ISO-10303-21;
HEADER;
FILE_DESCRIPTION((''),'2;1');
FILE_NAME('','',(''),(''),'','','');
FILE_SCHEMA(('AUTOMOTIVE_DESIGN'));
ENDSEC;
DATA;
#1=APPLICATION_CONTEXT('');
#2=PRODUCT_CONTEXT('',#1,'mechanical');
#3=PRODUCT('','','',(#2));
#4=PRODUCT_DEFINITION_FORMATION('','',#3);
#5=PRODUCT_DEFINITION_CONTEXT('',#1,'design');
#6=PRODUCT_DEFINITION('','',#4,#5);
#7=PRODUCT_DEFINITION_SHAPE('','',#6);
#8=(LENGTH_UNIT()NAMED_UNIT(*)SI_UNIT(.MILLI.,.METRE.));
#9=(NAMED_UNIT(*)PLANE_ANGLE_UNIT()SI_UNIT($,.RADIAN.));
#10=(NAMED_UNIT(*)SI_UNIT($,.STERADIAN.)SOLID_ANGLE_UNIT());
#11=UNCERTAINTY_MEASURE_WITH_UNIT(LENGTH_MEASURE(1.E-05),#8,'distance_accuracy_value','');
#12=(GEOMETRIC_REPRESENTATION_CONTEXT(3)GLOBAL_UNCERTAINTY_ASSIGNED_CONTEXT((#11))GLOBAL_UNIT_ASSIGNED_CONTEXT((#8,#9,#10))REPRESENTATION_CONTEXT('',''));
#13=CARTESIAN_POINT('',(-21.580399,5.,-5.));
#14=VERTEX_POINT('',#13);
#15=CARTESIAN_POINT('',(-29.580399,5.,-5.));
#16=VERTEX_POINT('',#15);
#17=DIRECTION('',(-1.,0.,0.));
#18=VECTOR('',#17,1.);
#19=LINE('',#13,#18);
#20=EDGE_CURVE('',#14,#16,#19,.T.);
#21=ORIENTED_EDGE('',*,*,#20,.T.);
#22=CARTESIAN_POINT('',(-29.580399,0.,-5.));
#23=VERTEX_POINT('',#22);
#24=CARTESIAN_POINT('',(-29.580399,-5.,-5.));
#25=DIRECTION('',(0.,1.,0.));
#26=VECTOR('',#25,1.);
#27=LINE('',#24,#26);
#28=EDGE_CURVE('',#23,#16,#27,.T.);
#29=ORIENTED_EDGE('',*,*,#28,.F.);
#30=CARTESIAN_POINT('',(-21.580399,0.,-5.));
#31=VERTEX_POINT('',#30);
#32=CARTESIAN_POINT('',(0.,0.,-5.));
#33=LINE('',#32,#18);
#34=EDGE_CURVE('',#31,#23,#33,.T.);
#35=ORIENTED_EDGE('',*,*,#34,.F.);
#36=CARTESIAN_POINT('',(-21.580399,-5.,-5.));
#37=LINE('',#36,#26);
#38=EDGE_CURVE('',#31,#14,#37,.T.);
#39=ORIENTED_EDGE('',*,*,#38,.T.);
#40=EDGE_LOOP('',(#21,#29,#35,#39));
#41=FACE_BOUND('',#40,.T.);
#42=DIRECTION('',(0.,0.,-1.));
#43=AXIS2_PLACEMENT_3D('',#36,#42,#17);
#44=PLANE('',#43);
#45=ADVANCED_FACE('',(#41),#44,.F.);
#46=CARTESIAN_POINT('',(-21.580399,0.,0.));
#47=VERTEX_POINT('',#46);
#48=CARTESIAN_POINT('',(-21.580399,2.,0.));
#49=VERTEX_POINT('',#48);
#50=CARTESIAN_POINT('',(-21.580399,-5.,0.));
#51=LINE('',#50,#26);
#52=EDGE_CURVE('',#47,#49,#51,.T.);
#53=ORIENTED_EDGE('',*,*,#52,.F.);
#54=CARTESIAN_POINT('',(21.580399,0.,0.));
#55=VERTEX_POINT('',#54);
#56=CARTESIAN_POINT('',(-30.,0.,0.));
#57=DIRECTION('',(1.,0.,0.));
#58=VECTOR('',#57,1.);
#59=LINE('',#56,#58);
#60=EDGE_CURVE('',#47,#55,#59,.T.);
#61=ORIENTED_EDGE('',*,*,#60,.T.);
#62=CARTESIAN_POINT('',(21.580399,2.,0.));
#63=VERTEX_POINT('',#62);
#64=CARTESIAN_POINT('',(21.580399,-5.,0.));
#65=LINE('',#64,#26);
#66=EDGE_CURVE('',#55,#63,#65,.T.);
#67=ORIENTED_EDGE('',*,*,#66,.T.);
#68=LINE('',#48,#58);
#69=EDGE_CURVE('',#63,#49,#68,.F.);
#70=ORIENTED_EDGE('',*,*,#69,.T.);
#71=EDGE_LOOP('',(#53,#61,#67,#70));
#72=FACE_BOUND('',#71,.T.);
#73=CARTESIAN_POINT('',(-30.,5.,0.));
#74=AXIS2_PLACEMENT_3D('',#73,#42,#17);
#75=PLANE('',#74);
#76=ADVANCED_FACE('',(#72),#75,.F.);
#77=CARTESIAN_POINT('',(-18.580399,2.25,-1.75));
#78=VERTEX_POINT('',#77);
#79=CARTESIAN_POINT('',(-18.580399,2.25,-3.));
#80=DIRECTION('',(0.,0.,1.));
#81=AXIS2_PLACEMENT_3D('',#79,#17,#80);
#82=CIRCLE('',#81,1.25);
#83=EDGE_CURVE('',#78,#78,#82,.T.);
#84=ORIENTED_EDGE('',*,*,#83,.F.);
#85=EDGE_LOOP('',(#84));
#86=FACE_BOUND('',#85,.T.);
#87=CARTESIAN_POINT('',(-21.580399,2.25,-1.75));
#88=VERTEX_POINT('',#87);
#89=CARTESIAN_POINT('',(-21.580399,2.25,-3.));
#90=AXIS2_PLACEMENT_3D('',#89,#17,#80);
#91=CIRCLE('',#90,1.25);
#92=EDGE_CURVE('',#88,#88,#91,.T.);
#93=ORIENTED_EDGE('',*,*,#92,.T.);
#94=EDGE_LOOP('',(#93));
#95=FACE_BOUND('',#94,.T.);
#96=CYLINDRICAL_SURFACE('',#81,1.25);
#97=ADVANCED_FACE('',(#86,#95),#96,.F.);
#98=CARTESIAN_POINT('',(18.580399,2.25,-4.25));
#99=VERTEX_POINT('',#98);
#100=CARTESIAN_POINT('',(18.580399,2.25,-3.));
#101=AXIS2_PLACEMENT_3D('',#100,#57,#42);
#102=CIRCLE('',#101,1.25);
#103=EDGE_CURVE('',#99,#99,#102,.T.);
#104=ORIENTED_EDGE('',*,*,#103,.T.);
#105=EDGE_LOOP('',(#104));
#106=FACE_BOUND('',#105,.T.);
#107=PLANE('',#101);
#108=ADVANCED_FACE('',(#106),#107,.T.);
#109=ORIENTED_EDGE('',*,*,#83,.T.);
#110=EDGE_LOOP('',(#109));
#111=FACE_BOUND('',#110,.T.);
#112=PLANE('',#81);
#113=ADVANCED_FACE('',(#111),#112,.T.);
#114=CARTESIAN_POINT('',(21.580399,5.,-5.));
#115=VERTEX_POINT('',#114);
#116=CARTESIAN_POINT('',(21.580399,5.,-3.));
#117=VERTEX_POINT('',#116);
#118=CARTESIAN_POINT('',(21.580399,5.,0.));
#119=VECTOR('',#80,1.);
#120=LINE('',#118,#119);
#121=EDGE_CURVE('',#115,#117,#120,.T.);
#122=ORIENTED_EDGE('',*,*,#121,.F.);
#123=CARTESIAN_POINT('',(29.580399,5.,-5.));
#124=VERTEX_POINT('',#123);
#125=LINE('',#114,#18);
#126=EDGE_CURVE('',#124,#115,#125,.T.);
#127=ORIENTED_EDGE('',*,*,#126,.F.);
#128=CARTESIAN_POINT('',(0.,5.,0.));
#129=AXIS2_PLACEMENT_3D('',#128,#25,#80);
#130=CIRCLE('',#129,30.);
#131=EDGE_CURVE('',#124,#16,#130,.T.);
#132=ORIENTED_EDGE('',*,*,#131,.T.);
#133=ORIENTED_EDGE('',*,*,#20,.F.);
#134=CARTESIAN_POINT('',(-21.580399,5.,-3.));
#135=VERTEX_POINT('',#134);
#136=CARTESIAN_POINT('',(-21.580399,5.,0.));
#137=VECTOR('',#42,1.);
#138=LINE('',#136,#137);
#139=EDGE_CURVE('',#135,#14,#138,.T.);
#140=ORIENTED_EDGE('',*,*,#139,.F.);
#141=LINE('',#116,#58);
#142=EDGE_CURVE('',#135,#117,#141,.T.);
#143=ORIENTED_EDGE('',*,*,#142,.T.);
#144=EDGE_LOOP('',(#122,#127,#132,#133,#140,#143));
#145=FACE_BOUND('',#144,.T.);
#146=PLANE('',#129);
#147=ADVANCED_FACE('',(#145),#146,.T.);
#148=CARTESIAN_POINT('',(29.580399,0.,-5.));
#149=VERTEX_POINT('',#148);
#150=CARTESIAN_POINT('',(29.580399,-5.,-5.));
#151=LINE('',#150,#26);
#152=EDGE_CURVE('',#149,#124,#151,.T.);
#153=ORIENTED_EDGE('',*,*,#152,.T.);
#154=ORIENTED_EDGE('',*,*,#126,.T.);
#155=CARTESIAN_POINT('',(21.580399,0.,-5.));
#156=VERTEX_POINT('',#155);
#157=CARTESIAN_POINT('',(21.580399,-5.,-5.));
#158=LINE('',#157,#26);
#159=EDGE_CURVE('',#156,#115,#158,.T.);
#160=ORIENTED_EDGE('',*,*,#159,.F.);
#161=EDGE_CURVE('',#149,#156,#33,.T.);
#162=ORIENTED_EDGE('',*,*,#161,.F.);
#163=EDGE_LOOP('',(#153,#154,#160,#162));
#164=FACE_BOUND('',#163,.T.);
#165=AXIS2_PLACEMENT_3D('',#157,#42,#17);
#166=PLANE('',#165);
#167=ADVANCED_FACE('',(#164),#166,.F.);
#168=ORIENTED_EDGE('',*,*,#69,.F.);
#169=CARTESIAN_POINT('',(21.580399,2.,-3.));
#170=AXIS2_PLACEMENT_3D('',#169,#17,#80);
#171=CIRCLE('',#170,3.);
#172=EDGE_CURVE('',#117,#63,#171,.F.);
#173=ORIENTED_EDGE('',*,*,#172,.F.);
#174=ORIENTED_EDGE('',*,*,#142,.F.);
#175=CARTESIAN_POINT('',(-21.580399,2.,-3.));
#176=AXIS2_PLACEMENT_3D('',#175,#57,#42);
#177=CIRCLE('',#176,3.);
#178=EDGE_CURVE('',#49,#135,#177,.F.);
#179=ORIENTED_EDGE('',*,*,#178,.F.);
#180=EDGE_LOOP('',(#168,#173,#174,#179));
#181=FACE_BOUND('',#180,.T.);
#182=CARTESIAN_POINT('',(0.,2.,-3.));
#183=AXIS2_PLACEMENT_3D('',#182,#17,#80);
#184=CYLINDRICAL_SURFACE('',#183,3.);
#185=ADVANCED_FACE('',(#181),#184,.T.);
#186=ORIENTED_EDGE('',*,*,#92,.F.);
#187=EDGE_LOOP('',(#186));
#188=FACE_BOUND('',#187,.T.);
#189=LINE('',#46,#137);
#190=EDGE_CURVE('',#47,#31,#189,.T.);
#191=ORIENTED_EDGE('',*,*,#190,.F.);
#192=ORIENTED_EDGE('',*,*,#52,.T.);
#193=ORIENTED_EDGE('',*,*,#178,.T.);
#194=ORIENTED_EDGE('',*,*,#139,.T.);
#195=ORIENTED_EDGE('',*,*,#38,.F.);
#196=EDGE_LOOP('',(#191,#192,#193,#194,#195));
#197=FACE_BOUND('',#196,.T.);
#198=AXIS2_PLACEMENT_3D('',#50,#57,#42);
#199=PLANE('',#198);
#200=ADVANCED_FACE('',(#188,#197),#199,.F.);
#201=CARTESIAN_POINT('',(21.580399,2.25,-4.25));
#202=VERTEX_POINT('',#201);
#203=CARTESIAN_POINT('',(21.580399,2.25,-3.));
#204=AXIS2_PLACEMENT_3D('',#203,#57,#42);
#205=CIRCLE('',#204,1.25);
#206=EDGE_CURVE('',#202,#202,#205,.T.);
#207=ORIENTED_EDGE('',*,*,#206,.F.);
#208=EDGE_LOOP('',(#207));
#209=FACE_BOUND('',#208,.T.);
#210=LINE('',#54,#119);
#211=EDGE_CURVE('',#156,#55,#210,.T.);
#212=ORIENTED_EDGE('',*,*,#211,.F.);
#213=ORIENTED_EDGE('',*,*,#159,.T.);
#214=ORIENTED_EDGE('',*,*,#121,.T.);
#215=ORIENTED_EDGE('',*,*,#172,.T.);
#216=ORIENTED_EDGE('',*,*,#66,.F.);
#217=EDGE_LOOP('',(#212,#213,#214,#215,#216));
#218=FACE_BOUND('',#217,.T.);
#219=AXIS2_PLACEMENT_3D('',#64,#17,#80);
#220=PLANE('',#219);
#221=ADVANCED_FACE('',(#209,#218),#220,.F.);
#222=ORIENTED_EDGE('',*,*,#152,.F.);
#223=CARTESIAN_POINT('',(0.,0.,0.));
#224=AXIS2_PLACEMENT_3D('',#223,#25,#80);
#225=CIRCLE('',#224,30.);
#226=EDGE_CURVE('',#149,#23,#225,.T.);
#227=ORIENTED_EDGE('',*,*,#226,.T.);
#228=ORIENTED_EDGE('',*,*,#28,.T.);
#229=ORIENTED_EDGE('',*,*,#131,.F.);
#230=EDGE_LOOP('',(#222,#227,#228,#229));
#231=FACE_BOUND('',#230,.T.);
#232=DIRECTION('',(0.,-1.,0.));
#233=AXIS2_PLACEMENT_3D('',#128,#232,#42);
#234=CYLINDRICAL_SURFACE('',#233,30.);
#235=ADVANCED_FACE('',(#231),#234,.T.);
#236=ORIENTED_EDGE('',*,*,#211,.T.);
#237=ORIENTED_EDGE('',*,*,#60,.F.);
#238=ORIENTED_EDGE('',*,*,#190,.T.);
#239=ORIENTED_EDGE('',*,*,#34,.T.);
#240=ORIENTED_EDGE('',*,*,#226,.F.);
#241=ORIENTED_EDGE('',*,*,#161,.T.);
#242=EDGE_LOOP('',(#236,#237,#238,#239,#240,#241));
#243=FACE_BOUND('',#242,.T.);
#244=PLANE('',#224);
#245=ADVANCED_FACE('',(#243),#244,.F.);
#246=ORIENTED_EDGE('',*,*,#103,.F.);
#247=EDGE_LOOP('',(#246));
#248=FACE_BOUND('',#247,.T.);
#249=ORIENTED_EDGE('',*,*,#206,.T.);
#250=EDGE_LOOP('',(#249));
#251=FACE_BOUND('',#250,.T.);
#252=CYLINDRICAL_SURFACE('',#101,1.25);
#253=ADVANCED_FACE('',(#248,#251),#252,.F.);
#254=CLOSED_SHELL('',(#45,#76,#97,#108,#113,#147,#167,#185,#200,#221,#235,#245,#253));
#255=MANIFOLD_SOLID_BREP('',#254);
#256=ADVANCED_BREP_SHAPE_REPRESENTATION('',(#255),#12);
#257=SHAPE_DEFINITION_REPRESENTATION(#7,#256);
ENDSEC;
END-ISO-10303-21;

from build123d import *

# Parameters (mm, degrees)
BOSS_EXTRUDE1_DEPTH = 5
CUT_EXTRUDE1_START  = -10
CUT_EXTRUDE1_DEPTH  = 10
FILLET2_R           = 3
SKETCH6_R           = 1.25
CUT_EXTRUDE2_DEPTH  = 3
CUT_EXTRUDE3_START  = -3
SKETCH7_R           = 1.25
CUT_EXTRUDE3_DEPTH  = 3


with BuildPart() as part:
    # Sketch1 → Boss-Extrude1 (new body)
    with BuildSketch(Plane(origin=(0, 0, 0), x_dir=(1, 0, 0), z_dir=(0, 1, 0))):
        with BuildLine():
            Line((-30, 0), (30, 0))
            ThreePointArc((30, 0), (0, 30), (-30, 0))
        make_face()
    extrude(amount=BOSS_EXTRUDE1_DEPTH)

    # Sketch5 → Cut-Extrude1 (cut)
    with BuildSketch(Plane(origin=(0, 5, 0), x_dir=(1, 0, 0), z_dir=(0, 1, 0)).offset(CUT_EXTRUDE1_START)):
        with BuildLine():
            Line((-21.580398915, 0), (-21.580398915, 5))
            Line((-21.580398915, 5), (-29.580398915, 5))
            ThreePointArc((-29.580398915, 5), (-29.894915684, 2.508787808), (-30, 0))
            Line((-30, 0), (-21.580398915, 0))
        make_face()
        with BuildLine():
            Line((21.580398915, 5), (29.580398915, 5))
            ThreePointArc((29.580398915, 5), (29.894915684, 2.508787808), (30, 0))
            Line((30, 0), (21.580398915, 0))
            Line((21.580398915, 0), (21.580398915, 5))
        make_face()
    extrude(amount=CUT_EXTRUDE1_DEPTH, mode=Mode.SUBTRACT)

    # Fillet2
    fillet2_edges = [part.edges().sort_by_distance(p)[0] for p in [
        (0, 5, 0),
    ]]
    fillet(fillet2_edges, radius=FILLET2_R)

    # Sketch6 → Cut-Extrude2 (cut)
    with BuildSketch(Plane(origin=(21.580398915, 0, 0), x_dir=(0, 0, -1), z_dir=(1, 0, 0))):
        with Locations((3, 2.25)):
            Circle(SKETCH6_R)
    extrude(amount=-CUT_EXTRUDE2_DEPTH, mode=Mode.SUBTRACT)

    # Sketch7 → Cut-Extrude3 (cut)
    with BuildSketch(Plane.ZY.offset(21.580398915).offset(CUT_EXTRUDE3_START)):
        with Locations(Location((-3, 2.25, 0), (0, 0, 180))):
            Circle(SKETCH7_R)
    extrude(amount=CUT_EXTRUDE3_DEPTH, mode=Mode.SUBTRACT)


solid = part.part
